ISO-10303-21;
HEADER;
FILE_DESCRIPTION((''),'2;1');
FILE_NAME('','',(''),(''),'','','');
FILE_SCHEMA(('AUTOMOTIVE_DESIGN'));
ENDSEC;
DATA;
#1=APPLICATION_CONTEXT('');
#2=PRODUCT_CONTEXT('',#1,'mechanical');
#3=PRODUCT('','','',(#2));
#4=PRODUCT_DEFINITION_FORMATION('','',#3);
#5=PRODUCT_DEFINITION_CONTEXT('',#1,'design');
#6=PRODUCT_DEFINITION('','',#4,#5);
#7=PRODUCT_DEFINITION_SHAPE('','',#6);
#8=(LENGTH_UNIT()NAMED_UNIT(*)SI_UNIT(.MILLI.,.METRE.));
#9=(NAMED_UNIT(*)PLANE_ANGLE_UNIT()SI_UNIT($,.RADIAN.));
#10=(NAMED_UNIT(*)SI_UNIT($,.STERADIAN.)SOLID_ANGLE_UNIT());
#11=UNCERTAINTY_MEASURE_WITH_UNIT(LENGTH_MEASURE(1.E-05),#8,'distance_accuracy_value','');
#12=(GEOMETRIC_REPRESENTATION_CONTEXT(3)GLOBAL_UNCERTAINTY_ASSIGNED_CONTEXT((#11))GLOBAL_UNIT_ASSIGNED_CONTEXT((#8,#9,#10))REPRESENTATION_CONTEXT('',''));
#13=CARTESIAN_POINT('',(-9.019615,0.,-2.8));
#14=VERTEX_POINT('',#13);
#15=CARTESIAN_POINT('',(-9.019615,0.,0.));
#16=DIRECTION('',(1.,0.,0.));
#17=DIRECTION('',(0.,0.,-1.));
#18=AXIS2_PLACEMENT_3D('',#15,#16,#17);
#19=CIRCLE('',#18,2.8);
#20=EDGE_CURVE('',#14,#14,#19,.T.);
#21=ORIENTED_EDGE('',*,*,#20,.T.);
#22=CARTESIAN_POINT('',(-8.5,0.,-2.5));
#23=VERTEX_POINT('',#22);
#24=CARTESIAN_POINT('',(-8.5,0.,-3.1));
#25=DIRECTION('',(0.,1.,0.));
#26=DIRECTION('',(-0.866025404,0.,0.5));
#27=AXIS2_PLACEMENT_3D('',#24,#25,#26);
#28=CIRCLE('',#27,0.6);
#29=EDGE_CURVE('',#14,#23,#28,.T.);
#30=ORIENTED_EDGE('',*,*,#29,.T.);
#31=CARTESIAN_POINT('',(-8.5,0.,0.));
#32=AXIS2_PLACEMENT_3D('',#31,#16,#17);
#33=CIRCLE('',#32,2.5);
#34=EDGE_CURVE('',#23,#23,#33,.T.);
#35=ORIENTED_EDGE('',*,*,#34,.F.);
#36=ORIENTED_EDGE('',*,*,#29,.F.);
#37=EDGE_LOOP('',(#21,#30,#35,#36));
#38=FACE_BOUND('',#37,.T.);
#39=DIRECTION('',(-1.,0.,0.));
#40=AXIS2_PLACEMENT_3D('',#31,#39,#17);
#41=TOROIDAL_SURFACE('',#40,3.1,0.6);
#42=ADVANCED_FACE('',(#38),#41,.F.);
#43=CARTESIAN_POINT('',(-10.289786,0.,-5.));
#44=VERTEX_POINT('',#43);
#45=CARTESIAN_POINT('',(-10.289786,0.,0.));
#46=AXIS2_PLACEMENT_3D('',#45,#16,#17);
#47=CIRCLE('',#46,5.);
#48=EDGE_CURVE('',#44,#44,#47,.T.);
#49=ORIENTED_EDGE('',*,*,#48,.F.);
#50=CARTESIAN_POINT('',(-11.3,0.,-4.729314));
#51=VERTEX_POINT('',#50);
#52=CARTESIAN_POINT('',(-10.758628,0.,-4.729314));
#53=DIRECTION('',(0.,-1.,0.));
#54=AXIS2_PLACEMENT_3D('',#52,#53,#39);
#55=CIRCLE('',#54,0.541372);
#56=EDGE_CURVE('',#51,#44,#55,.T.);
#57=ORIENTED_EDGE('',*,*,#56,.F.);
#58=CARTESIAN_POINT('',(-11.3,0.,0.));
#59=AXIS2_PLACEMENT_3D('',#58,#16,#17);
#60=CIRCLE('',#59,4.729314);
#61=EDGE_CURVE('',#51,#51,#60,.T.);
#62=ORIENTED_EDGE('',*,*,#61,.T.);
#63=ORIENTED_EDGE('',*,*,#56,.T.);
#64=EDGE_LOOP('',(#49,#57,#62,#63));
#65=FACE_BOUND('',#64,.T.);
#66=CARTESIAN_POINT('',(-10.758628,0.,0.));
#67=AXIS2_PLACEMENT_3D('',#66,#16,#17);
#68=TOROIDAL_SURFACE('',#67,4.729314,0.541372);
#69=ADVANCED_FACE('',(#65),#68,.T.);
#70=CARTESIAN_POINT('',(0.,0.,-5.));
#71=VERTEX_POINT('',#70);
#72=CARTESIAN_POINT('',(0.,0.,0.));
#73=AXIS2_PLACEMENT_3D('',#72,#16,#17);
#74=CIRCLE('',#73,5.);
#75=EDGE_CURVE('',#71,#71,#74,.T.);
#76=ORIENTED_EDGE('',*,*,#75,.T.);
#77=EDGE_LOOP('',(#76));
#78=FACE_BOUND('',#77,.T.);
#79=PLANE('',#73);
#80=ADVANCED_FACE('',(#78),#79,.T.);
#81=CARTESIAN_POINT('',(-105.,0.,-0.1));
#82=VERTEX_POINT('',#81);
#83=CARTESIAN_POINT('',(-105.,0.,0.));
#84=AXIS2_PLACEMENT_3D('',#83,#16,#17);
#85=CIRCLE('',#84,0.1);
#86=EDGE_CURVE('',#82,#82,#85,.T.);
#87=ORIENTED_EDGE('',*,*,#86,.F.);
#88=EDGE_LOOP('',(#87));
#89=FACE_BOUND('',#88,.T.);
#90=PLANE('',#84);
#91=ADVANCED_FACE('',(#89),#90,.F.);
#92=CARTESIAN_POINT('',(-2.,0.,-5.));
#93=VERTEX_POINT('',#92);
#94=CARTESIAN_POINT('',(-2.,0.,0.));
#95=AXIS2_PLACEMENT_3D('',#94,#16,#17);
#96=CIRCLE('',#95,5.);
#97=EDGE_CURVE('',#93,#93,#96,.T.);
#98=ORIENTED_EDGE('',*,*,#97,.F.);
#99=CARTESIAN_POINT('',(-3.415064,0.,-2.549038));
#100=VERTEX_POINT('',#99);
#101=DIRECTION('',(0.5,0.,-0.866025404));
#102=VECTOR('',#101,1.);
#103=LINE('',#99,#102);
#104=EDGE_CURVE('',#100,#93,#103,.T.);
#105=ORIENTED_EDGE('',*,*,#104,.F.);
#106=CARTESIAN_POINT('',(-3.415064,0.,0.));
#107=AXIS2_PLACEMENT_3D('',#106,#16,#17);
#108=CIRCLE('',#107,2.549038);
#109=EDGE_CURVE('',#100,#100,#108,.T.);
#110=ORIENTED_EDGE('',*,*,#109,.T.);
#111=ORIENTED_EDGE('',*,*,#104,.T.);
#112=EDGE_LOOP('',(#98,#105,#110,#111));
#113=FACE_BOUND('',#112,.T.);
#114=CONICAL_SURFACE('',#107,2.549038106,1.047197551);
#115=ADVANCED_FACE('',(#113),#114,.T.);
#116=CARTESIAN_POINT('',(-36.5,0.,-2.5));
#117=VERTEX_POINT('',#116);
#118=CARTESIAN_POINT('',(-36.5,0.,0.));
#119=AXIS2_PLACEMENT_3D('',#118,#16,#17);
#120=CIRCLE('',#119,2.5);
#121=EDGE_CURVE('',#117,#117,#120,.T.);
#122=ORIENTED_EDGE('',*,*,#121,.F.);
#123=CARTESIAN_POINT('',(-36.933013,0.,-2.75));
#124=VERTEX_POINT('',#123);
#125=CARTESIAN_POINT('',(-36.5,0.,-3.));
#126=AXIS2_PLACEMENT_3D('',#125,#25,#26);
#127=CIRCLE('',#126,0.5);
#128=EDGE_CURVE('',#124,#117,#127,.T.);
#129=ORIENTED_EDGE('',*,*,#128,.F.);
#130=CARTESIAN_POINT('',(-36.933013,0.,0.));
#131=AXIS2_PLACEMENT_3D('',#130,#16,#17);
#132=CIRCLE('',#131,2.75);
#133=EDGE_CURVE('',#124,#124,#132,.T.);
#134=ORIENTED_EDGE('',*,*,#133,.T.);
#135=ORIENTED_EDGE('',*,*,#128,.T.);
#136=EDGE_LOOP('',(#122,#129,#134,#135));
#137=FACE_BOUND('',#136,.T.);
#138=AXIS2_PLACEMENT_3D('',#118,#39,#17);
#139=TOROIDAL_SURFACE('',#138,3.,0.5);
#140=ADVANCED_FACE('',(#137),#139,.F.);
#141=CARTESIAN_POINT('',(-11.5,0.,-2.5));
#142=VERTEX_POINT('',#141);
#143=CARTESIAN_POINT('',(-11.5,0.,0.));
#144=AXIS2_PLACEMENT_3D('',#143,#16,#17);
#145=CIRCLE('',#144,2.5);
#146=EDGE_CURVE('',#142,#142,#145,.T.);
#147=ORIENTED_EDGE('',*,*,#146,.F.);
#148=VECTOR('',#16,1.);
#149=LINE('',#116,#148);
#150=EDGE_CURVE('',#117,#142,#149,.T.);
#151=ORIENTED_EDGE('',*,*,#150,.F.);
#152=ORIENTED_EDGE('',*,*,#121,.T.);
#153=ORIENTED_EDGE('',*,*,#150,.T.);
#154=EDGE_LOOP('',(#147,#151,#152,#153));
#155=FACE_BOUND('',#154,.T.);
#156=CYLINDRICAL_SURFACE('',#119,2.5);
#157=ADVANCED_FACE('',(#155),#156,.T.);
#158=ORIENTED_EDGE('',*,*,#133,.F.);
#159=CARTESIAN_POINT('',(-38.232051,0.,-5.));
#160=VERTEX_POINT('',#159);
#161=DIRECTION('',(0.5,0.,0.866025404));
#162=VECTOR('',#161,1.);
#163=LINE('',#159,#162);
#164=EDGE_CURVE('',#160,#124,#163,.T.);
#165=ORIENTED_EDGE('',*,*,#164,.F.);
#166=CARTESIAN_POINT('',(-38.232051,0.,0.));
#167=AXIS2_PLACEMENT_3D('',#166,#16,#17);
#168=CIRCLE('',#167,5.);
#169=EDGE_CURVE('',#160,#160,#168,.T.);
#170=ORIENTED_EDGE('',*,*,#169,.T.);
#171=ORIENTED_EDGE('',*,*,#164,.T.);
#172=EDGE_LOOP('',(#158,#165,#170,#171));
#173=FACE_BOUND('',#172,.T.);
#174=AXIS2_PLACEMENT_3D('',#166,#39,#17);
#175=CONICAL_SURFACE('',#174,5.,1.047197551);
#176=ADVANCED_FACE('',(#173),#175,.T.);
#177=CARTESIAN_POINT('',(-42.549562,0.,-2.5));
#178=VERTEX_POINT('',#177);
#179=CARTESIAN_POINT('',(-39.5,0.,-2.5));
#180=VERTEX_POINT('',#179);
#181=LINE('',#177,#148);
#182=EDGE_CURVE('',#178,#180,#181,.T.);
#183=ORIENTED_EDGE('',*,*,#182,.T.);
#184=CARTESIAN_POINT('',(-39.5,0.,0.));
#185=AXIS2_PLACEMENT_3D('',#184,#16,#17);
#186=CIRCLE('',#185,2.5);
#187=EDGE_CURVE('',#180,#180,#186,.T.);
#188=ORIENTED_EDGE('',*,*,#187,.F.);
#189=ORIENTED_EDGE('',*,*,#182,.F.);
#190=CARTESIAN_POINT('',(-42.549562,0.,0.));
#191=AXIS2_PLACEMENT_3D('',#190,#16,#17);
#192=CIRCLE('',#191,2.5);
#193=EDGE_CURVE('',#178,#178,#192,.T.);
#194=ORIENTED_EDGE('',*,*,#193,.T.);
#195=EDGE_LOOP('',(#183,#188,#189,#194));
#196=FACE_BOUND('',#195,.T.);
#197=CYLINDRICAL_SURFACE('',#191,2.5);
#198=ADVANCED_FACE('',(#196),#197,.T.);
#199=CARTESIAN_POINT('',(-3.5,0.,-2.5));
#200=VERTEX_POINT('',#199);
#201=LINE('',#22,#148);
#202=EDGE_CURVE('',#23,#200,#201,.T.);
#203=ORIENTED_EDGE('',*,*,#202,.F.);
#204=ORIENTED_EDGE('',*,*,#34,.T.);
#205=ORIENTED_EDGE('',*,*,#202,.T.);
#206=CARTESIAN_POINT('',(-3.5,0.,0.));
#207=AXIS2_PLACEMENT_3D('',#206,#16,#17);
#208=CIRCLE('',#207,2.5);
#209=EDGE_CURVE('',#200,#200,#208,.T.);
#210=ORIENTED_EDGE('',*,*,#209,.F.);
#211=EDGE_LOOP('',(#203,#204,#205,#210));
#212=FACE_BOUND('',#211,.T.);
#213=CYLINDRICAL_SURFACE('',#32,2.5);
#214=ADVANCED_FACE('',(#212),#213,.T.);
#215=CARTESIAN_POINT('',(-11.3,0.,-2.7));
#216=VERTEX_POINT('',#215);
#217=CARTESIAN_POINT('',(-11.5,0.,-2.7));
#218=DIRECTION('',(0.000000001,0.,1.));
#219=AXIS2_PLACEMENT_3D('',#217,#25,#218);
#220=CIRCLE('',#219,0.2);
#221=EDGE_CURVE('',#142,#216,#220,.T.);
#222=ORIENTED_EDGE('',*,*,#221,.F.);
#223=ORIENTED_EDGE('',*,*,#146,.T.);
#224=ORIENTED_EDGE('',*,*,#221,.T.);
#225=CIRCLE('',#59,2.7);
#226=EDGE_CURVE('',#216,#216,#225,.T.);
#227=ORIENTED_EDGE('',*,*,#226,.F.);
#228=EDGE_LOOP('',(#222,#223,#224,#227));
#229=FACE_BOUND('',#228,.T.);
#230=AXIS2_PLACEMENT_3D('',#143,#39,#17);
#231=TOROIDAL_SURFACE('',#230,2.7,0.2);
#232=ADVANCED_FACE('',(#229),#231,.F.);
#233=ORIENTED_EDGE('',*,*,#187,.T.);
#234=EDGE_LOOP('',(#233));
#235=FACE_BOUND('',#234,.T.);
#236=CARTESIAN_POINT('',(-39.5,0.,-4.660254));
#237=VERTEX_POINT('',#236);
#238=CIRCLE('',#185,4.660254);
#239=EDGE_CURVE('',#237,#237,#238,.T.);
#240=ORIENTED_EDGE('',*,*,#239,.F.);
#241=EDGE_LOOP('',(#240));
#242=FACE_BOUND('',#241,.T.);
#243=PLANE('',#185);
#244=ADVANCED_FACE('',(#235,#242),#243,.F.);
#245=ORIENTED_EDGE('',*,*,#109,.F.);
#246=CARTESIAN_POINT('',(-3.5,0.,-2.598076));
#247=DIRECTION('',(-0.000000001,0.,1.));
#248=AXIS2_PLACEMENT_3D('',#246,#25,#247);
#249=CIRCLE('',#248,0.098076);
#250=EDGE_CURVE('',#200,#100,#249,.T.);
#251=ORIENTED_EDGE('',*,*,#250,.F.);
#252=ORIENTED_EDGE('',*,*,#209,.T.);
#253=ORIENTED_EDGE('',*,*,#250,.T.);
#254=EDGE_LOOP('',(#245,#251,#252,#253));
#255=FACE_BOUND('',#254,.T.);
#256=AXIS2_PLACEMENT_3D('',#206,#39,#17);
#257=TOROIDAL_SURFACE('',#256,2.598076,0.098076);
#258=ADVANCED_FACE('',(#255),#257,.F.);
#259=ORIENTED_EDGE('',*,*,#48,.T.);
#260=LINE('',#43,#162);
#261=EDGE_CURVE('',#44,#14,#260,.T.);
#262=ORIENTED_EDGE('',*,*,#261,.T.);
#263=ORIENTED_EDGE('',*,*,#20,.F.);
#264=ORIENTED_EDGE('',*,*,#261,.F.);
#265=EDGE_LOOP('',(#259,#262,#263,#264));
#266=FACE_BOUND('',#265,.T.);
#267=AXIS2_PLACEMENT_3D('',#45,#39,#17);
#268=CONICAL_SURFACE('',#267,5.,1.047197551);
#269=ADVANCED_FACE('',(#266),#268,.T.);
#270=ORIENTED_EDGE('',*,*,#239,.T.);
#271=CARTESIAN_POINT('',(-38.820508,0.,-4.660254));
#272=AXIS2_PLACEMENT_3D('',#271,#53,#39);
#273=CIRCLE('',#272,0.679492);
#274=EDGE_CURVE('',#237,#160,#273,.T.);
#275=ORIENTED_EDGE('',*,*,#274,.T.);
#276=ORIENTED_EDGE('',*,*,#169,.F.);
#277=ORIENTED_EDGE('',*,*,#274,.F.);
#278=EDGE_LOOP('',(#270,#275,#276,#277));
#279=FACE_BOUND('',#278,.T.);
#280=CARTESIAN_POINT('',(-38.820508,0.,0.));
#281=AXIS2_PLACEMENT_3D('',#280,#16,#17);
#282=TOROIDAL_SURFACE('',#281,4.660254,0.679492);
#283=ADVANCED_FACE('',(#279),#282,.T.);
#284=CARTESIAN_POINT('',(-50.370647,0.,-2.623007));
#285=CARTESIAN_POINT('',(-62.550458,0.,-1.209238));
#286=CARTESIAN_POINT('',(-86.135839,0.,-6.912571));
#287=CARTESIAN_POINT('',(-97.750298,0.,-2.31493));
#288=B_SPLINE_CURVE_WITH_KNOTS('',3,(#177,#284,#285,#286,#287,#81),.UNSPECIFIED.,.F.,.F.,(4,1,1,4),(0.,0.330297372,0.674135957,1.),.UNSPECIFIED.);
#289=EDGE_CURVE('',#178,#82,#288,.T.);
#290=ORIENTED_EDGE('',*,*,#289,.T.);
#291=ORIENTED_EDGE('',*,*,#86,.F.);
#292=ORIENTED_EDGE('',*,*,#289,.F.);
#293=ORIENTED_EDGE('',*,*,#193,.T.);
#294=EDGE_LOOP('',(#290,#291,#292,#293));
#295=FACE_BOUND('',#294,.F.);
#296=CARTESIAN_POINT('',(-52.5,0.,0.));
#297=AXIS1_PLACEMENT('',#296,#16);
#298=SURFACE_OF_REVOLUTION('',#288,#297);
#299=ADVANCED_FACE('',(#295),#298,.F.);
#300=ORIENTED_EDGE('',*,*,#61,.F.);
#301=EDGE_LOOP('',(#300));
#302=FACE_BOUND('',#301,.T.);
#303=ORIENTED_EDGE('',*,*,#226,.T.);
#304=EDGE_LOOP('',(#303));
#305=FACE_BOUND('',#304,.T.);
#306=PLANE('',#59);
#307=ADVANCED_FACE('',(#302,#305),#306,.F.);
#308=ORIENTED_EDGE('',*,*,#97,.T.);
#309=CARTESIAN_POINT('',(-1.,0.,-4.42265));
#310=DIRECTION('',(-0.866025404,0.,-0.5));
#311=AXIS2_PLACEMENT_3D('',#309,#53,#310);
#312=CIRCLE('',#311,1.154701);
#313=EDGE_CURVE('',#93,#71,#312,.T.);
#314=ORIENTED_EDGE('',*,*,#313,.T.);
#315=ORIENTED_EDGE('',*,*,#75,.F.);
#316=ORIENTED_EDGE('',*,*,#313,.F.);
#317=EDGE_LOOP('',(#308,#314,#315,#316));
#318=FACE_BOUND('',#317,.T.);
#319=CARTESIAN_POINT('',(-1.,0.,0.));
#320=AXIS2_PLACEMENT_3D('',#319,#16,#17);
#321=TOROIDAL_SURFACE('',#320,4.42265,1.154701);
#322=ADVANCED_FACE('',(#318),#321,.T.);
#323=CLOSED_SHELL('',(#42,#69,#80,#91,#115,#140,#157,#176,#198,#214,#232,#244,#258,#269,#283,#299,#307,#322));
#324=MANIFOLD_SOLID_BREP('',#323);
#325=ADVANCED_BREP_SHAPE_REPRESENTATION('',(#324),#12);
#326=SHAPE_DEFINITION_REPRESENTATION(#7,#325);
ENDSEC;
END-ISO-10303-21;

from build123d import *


with BuildPart() as f1:
    # F0 (on Front) → F1 (revolve)
    with BuildSketch(Plane.XZ):
        with BuildLine():
            Line((0, -5), (0, 0))
            Line((0, 0), (-105, 0))
            Line((-105, 0), (-105, -0.1))
            add(Edge.make_bspline(
                [(-42.5495617092, -2.5), (-50.3706470163, -2.6230067368), (-62.5504578621, -1.2092378674), (-86.1358387962, -6.9125709952), (-97.7502984256, -2.3149304146), (-105, -0.1)],
                knots=[0, 0, 0, 0, 0.3302973719, 0.6741359572, 1, 1, 1, 1], degree=3))
            Line((-42.5495617092, -2.5), (-39.5, -2.5))
            Line((-39.5, -2.5), (-39.5, -4.6602540378))
            ThreePointArc((-39.5, -4.6602540378), (-38.9963735267, -5.3165928363), (-38.2320508076, -5))
            Line((-38.2320508076, -5), (-36.9330127019, -2.75))
            ThreePointArc((-36.9330127019, -2.75), (-36.75, -2.5669872981), (-36.5, -2.5))
            Line((-36.5, -2.5), (-11.5, -2.5))
            ThreePointArc((-11.5, -2.5), (-11.3585786438, -2.5585786438), (-11.3, -2.7))
            Line((-11.3, -2.7), (-11.3, -4.7293139302))
            ThreePointArc((-11.3, -4.7293139302), (-10.8987452806, -5.2522392615), (-10.2897858345, -5))
            Line((-10.2897858345, -5), (-9.0196152423, -2.8))
            ThreePointArc((-9.0196152423, -2.8), (-8.8, -2.5803847577), (-8.5, -2.5))
            Line((-8.5, -2.5), (-3.5, -2.5))
            ThreePointArc((-3.5, -2.5), (-3.4509618943, -2.5131397208), (-3.4150635095, -2.5490381057))
            Line((-3.4150635095, -2.5490381057), (-2, -5))
            ThreePointArc((-2, -5), (-1, -5.5773502692), (0, -5))
        make_face()
    revolve(axis=Axis((-52.5, 0, 0), (1, 0, 0)))


solid = f1.part
